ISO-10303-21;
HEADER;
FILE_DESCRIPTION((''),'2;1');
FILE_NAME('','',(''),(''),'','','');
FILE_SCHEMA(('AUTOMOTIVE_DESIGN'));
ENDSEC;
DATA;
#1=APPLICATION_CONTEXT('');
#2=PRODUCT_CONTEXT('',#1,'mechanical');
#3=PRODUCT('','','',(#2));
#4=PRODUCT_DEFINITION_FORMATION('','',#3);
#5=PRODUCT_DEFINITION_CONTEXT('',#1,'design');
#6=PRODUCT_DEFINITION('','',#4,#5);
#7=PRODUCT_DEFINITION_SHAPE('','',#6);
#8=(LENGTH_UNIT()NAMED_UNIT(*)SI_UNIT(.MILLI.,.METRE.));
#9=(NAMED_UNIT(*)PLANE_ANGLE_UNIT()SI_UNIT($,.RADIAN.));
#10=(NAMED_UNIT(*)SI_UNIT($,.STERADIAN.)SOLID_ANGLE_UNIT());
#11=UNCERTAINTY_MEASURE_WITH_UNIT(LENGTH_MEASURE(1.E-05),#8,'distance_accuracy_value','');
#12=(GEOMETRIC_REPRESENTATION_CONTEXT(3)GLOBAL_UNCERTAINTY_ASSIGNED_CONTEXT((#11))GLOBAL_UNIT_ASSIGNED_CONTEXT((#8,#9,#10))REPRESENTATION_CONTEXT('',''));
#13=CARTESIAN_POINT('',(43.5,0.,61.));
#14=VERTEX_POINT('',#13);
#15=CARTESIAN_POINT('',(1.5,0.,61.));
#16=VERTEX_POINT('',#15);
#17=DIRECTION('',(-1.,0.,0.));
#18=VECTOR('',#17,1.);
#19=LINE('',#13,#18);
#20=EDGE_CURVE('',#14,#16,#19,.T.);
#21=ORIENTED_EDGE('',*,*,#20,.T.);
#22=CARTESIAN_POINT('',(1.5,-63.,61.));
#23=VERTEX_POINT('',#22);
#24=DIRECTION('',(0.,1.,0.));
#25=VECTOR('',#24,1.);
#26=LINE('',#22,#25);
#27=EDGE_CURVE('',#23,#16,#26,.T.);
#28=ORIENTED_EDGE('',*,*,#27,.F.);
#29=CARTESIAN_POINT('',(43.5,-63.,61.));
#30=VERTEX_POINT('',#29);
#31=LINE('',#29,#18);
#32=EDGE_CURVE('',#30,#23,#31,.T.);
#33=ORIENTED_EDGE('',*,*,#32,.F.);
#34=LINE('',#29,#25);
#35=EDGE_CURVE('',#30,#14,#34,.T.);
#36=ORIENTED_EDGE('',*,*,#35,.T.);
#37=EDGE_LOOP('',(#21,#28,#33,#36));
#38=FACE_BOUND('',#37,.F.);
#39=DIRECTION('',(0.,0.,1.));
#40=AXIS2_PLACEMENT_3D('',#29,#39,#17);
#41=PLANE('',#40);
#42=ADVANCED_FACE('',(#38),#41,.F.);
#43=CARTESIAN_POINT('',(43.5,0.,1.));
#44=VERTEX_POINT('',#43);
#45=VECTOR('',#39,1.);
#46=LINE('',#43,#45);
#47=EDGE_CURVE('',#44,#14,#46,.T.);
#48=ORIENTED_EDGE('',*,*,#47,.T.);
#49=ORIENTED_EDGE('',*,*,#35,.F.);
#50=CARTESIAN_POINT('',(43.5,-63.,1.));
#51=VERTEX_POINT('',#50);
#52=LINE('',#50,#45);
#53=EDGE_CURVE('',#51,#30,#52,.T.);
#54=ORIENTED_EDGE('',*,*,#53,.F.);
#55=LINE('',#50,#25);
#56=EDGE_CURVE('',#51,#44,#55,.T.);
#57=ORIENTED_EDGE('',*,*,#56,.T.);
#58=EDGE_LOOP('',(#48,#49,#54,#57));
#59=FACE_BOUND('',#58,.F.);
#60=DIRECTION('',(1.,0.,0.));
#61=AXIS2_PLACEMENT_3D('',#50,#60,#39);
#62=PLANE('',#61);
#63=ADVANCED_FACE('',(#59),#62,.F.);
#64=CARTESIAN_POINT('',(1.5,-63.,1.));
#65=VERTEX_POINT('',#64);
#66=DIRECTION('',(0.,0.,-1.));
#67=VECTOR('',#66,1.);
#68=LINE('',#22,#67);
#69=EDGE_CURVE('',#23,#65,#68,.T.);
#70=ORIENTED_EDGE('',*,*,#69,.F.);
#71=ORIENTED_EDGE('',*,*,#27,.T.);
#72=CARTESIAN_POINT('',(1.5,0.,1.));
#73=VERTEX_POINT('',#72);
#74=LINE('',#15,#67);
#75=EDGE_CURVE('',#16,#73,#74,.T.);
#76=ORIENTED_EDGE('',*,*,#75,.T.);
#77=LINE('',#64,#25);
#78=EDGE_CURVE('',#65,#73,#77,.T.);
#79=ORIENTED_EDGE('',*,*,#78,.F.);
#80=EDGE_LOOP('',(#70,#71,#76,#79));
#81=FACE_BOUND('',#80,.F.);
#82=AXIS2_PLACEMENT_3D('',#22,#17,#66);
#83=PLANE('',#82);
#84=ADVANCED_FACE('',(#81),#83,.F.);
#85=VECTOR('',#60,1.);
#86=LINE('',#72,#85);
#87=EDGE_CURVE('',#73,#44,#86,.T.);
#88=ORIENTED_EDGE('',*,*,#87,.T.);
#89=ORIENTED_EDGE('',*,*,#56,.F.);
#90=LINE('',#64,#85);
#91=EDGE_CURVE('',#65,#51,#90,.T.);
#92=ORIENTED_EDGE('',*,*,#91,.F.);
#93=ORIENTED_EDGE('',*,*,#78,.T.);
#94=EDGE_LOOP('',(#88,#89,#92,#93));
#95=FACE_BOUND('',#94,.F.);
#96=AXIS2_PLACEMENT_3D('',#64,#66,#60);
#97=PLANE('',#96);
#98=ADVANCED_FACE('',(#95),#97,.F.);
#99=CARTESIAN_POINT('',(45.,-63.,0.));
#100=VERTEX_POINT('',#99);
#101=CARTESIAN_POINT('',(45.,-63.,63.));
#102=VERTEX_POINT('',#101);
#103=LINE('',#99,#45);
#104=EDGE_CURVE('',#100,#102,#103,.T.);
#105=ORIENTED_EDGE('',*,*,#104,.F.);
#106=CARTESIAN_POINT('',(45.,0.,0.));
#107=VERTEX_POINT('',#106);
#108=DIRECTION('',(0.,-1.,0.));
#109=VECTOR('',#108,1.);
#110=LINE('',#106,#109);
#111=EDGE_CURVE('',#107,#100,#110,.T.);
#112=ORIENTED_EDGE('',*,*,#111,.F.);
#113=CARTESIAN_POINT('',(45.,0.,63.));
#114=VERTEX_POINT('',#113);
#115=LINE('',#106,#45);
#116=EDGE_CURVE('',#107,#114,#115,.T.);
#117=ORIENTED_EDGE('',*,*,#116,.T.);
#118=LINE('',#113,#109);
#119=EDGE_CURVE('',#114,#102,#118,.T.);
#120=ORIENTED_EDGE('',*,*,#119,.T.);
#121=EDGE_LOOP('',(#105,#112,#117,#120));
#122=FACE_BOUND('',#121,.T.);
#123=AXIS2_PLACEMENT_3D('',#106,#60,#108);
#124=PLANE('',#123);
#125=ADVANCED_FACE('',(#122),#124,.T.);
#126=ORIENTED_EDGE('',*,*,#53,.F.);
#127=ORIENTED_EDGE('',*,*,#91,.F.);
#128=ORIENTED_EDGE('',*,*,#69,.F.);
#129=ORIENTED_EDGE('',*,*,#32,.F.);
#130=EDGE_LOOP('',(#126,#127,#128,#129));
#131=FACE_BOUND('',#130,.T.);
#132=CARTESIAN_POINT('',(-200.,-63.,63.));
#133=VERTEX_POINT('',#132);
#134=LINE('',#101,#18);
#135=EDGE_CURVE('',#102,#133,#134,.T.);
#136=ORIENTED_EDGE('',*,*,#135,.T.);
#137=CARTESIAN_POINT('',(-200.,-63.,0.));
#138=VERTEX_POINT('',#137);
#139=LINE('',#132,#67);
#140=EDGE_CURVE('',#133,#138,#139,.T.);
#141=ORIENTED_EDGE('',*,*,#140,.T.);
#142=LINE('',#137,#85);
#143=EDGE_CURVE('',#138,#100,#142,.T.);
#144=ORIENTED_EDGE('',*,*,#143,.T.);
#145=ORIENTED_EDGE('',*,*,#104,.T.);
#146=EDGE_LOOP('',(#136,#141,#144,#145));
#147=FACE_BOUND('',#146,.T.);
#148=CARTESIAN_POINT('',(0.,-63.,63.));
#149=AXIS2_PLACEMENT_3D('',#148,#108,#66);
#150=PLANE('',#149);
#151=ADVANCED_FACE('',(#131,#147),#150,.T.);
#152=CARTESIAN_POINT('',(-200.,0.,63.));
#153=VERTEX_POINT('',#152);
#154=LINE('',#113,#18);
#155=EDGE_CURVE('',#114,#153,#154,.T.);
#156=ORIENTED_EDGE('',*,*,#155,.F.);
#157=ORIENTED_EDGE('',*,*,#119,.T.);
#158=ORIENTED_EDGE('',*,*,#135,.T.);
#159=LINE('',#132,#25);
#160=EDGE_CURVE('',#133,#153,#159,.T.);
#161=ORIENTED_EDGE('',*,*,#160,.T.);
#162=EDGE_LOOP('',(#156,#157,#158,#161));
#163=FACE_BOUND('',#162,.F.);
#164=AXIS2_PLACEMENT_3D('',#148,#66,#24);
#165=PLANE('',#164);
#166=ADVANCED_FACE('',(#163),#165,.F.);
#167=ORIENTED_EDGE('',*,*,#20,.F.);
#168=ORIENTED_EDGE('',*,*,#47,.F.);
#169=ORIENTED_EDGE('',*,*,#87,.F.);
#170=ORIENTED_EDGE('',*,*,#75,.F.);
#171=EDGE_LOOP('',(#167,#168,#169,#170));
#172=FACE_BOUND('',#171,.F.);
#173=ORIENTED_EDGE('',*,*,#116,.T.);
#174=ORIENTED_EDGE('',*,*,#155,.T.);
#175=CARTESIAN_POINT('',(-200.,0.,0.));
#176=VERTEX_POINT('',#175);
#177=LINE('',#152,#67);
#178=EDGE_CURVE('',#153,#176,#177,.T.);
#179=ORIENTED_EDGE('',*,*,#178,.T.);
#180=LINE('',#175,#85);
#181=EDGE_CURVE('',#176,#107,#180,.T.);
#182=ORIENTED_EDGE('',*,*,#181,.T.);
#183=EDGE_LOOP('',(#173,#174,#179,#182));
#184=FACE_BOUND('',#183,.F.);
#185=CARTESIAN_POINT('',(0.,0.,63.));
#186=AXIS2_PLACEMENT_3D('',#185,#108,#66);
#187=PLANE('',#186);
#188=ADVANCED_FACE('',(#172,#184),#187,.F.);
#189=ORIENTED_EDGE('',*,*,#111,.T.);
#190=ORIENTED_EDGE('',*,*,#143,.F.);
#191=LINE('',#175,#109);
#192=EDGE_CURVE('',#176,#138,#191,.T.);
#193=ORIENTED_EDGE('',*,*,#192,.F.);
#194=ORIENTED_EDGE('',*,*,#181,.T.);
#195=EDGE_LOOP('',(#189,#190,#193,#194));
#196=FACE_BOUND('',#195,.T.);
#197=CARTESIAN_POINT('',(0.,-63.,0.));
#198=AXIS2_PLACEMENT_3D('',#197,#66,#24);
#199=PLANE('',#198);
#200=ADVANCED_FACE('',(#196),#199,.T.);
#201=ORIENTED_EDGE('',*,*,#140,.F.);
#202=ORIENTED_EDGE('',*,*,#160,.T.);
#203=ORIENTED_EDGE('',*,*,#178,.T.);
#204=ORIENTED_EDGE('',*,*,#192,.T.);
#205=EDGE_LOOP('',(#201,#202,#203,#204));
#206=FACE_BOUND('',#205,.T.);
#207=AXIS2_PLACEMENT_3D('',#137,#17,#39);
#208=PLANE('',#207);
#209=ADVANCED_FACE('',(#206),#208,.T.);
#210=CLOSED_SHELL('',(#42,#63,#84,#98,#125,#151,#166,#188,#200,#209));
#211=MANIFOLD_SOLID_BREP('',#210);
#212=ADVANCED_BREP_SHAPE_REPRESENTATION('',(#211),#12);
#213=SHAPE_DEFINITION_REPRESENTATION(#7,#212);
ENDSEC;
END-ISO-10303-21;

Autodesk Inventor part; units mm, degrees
ref_plane "YZ Plane" through (0, 0, 0) normal (1, 0, 0) x (0, 1, 0)
ref_plane "XZ Plane" through (0, 0, 0) normal (0, 1, 0) x (-1, 0, 0)
ref_plane "XY Plane" through (0, 0, 0) normal (0, 0, 1) x (1, 0, 0)
sketch "Sketch7" plane through (0, 0, 0) normal (0, 0, 1) x (1, 0, 0)
  line L0 (0, 0) -> (45, 0)
  line L1 (45, 0) -> (45, -63)
  line L2 (45, -63) -> (0, -63)
  line L3 (0, -63) -> (0, 0)
  dimension "d19" = 45
  dimension "d20" = 63
extrude "Extrusion3" add sketch "Sketch7" along normal blind 63
sketch "Sketch8" plane through (0, -63, 0) normal (0, -1, 0) x (1, 0, 0)
  line L0 (0, 0) -> (45, 0) projected
  line L1 (1.5, 0) -> (0, 0)
  line L2 (1.5, 1) -> (43.5, 1)
  line L3 (43.5, 1) -> (43.5, 61)
  line L4 (43.5, 61) -> (1.5, 61)
  line L5 (1.5, 61) -> (1.5, 1)
  dimension "d26" = 42
  dimension "d27" = 60
extrude "Extrusion4" cut sketch "Sketch8" against normal blind 63
sketch "Sketch9" plane through (0, 0, 63) normal (0, 0, 1) x (1, 0, 0)
  point P0 (0, 0)
sketch "Sketch10" plane through (0, -63, 0) normal (-1, 0, 0) x (0, 0, 1)
  line L0 (63, 0) -> (63, 63) projected
  line L1 (63, 0) -> (0, 0)
  line L2 (0, 0) -> (0, 6.1882)
  line L3 (0, 6.1882) -> (63, 6.1882)
  line L4 (63, 6.1882) -> (63, 0)
  point P0 (0, 63)
extrude "Extrusion5" add sketch "Sketch10" along normal blind 200
sketch "Sketch11" plane through (0, 0, 0) normal (-1, 0, 0) x (0, 0, 1)
  line L0 (63, -63) -> (63, 0) projected
  line L1 (0, 0) -> (0, -56.8118) projected
  line L2 (63, 0) -> (0, 0)
  line L3 (0, 0) -> (0, -56.8129)
  line L4 (0, -56.8129) -> (63, -56.8129)
  line L5 (63, -56.8129) -> (63, 0)
extrude "Extrusion6" add sketch "Sketch11" along normal blind 200
equation "\"BendRadius\" = Thickness"
equation "\"BendReliefWidth\" = Thickness"
equation "\"BendReliefDepth\" = 0.5 * Thickness"
equation "\"CornerReliefSize\" = 4 * Thickness"
equation "\"MinimumRemnant\" = 2 * Thickness"
equation "\"TransitionRadius\" = BendRadius"
equation "\"JacobiRadiusSize\" = BendRadius"
equation "\"GapSize\" = Thickness"
equation "\"Thickness\" = 0.5"
properties part number "soporte para motor"
